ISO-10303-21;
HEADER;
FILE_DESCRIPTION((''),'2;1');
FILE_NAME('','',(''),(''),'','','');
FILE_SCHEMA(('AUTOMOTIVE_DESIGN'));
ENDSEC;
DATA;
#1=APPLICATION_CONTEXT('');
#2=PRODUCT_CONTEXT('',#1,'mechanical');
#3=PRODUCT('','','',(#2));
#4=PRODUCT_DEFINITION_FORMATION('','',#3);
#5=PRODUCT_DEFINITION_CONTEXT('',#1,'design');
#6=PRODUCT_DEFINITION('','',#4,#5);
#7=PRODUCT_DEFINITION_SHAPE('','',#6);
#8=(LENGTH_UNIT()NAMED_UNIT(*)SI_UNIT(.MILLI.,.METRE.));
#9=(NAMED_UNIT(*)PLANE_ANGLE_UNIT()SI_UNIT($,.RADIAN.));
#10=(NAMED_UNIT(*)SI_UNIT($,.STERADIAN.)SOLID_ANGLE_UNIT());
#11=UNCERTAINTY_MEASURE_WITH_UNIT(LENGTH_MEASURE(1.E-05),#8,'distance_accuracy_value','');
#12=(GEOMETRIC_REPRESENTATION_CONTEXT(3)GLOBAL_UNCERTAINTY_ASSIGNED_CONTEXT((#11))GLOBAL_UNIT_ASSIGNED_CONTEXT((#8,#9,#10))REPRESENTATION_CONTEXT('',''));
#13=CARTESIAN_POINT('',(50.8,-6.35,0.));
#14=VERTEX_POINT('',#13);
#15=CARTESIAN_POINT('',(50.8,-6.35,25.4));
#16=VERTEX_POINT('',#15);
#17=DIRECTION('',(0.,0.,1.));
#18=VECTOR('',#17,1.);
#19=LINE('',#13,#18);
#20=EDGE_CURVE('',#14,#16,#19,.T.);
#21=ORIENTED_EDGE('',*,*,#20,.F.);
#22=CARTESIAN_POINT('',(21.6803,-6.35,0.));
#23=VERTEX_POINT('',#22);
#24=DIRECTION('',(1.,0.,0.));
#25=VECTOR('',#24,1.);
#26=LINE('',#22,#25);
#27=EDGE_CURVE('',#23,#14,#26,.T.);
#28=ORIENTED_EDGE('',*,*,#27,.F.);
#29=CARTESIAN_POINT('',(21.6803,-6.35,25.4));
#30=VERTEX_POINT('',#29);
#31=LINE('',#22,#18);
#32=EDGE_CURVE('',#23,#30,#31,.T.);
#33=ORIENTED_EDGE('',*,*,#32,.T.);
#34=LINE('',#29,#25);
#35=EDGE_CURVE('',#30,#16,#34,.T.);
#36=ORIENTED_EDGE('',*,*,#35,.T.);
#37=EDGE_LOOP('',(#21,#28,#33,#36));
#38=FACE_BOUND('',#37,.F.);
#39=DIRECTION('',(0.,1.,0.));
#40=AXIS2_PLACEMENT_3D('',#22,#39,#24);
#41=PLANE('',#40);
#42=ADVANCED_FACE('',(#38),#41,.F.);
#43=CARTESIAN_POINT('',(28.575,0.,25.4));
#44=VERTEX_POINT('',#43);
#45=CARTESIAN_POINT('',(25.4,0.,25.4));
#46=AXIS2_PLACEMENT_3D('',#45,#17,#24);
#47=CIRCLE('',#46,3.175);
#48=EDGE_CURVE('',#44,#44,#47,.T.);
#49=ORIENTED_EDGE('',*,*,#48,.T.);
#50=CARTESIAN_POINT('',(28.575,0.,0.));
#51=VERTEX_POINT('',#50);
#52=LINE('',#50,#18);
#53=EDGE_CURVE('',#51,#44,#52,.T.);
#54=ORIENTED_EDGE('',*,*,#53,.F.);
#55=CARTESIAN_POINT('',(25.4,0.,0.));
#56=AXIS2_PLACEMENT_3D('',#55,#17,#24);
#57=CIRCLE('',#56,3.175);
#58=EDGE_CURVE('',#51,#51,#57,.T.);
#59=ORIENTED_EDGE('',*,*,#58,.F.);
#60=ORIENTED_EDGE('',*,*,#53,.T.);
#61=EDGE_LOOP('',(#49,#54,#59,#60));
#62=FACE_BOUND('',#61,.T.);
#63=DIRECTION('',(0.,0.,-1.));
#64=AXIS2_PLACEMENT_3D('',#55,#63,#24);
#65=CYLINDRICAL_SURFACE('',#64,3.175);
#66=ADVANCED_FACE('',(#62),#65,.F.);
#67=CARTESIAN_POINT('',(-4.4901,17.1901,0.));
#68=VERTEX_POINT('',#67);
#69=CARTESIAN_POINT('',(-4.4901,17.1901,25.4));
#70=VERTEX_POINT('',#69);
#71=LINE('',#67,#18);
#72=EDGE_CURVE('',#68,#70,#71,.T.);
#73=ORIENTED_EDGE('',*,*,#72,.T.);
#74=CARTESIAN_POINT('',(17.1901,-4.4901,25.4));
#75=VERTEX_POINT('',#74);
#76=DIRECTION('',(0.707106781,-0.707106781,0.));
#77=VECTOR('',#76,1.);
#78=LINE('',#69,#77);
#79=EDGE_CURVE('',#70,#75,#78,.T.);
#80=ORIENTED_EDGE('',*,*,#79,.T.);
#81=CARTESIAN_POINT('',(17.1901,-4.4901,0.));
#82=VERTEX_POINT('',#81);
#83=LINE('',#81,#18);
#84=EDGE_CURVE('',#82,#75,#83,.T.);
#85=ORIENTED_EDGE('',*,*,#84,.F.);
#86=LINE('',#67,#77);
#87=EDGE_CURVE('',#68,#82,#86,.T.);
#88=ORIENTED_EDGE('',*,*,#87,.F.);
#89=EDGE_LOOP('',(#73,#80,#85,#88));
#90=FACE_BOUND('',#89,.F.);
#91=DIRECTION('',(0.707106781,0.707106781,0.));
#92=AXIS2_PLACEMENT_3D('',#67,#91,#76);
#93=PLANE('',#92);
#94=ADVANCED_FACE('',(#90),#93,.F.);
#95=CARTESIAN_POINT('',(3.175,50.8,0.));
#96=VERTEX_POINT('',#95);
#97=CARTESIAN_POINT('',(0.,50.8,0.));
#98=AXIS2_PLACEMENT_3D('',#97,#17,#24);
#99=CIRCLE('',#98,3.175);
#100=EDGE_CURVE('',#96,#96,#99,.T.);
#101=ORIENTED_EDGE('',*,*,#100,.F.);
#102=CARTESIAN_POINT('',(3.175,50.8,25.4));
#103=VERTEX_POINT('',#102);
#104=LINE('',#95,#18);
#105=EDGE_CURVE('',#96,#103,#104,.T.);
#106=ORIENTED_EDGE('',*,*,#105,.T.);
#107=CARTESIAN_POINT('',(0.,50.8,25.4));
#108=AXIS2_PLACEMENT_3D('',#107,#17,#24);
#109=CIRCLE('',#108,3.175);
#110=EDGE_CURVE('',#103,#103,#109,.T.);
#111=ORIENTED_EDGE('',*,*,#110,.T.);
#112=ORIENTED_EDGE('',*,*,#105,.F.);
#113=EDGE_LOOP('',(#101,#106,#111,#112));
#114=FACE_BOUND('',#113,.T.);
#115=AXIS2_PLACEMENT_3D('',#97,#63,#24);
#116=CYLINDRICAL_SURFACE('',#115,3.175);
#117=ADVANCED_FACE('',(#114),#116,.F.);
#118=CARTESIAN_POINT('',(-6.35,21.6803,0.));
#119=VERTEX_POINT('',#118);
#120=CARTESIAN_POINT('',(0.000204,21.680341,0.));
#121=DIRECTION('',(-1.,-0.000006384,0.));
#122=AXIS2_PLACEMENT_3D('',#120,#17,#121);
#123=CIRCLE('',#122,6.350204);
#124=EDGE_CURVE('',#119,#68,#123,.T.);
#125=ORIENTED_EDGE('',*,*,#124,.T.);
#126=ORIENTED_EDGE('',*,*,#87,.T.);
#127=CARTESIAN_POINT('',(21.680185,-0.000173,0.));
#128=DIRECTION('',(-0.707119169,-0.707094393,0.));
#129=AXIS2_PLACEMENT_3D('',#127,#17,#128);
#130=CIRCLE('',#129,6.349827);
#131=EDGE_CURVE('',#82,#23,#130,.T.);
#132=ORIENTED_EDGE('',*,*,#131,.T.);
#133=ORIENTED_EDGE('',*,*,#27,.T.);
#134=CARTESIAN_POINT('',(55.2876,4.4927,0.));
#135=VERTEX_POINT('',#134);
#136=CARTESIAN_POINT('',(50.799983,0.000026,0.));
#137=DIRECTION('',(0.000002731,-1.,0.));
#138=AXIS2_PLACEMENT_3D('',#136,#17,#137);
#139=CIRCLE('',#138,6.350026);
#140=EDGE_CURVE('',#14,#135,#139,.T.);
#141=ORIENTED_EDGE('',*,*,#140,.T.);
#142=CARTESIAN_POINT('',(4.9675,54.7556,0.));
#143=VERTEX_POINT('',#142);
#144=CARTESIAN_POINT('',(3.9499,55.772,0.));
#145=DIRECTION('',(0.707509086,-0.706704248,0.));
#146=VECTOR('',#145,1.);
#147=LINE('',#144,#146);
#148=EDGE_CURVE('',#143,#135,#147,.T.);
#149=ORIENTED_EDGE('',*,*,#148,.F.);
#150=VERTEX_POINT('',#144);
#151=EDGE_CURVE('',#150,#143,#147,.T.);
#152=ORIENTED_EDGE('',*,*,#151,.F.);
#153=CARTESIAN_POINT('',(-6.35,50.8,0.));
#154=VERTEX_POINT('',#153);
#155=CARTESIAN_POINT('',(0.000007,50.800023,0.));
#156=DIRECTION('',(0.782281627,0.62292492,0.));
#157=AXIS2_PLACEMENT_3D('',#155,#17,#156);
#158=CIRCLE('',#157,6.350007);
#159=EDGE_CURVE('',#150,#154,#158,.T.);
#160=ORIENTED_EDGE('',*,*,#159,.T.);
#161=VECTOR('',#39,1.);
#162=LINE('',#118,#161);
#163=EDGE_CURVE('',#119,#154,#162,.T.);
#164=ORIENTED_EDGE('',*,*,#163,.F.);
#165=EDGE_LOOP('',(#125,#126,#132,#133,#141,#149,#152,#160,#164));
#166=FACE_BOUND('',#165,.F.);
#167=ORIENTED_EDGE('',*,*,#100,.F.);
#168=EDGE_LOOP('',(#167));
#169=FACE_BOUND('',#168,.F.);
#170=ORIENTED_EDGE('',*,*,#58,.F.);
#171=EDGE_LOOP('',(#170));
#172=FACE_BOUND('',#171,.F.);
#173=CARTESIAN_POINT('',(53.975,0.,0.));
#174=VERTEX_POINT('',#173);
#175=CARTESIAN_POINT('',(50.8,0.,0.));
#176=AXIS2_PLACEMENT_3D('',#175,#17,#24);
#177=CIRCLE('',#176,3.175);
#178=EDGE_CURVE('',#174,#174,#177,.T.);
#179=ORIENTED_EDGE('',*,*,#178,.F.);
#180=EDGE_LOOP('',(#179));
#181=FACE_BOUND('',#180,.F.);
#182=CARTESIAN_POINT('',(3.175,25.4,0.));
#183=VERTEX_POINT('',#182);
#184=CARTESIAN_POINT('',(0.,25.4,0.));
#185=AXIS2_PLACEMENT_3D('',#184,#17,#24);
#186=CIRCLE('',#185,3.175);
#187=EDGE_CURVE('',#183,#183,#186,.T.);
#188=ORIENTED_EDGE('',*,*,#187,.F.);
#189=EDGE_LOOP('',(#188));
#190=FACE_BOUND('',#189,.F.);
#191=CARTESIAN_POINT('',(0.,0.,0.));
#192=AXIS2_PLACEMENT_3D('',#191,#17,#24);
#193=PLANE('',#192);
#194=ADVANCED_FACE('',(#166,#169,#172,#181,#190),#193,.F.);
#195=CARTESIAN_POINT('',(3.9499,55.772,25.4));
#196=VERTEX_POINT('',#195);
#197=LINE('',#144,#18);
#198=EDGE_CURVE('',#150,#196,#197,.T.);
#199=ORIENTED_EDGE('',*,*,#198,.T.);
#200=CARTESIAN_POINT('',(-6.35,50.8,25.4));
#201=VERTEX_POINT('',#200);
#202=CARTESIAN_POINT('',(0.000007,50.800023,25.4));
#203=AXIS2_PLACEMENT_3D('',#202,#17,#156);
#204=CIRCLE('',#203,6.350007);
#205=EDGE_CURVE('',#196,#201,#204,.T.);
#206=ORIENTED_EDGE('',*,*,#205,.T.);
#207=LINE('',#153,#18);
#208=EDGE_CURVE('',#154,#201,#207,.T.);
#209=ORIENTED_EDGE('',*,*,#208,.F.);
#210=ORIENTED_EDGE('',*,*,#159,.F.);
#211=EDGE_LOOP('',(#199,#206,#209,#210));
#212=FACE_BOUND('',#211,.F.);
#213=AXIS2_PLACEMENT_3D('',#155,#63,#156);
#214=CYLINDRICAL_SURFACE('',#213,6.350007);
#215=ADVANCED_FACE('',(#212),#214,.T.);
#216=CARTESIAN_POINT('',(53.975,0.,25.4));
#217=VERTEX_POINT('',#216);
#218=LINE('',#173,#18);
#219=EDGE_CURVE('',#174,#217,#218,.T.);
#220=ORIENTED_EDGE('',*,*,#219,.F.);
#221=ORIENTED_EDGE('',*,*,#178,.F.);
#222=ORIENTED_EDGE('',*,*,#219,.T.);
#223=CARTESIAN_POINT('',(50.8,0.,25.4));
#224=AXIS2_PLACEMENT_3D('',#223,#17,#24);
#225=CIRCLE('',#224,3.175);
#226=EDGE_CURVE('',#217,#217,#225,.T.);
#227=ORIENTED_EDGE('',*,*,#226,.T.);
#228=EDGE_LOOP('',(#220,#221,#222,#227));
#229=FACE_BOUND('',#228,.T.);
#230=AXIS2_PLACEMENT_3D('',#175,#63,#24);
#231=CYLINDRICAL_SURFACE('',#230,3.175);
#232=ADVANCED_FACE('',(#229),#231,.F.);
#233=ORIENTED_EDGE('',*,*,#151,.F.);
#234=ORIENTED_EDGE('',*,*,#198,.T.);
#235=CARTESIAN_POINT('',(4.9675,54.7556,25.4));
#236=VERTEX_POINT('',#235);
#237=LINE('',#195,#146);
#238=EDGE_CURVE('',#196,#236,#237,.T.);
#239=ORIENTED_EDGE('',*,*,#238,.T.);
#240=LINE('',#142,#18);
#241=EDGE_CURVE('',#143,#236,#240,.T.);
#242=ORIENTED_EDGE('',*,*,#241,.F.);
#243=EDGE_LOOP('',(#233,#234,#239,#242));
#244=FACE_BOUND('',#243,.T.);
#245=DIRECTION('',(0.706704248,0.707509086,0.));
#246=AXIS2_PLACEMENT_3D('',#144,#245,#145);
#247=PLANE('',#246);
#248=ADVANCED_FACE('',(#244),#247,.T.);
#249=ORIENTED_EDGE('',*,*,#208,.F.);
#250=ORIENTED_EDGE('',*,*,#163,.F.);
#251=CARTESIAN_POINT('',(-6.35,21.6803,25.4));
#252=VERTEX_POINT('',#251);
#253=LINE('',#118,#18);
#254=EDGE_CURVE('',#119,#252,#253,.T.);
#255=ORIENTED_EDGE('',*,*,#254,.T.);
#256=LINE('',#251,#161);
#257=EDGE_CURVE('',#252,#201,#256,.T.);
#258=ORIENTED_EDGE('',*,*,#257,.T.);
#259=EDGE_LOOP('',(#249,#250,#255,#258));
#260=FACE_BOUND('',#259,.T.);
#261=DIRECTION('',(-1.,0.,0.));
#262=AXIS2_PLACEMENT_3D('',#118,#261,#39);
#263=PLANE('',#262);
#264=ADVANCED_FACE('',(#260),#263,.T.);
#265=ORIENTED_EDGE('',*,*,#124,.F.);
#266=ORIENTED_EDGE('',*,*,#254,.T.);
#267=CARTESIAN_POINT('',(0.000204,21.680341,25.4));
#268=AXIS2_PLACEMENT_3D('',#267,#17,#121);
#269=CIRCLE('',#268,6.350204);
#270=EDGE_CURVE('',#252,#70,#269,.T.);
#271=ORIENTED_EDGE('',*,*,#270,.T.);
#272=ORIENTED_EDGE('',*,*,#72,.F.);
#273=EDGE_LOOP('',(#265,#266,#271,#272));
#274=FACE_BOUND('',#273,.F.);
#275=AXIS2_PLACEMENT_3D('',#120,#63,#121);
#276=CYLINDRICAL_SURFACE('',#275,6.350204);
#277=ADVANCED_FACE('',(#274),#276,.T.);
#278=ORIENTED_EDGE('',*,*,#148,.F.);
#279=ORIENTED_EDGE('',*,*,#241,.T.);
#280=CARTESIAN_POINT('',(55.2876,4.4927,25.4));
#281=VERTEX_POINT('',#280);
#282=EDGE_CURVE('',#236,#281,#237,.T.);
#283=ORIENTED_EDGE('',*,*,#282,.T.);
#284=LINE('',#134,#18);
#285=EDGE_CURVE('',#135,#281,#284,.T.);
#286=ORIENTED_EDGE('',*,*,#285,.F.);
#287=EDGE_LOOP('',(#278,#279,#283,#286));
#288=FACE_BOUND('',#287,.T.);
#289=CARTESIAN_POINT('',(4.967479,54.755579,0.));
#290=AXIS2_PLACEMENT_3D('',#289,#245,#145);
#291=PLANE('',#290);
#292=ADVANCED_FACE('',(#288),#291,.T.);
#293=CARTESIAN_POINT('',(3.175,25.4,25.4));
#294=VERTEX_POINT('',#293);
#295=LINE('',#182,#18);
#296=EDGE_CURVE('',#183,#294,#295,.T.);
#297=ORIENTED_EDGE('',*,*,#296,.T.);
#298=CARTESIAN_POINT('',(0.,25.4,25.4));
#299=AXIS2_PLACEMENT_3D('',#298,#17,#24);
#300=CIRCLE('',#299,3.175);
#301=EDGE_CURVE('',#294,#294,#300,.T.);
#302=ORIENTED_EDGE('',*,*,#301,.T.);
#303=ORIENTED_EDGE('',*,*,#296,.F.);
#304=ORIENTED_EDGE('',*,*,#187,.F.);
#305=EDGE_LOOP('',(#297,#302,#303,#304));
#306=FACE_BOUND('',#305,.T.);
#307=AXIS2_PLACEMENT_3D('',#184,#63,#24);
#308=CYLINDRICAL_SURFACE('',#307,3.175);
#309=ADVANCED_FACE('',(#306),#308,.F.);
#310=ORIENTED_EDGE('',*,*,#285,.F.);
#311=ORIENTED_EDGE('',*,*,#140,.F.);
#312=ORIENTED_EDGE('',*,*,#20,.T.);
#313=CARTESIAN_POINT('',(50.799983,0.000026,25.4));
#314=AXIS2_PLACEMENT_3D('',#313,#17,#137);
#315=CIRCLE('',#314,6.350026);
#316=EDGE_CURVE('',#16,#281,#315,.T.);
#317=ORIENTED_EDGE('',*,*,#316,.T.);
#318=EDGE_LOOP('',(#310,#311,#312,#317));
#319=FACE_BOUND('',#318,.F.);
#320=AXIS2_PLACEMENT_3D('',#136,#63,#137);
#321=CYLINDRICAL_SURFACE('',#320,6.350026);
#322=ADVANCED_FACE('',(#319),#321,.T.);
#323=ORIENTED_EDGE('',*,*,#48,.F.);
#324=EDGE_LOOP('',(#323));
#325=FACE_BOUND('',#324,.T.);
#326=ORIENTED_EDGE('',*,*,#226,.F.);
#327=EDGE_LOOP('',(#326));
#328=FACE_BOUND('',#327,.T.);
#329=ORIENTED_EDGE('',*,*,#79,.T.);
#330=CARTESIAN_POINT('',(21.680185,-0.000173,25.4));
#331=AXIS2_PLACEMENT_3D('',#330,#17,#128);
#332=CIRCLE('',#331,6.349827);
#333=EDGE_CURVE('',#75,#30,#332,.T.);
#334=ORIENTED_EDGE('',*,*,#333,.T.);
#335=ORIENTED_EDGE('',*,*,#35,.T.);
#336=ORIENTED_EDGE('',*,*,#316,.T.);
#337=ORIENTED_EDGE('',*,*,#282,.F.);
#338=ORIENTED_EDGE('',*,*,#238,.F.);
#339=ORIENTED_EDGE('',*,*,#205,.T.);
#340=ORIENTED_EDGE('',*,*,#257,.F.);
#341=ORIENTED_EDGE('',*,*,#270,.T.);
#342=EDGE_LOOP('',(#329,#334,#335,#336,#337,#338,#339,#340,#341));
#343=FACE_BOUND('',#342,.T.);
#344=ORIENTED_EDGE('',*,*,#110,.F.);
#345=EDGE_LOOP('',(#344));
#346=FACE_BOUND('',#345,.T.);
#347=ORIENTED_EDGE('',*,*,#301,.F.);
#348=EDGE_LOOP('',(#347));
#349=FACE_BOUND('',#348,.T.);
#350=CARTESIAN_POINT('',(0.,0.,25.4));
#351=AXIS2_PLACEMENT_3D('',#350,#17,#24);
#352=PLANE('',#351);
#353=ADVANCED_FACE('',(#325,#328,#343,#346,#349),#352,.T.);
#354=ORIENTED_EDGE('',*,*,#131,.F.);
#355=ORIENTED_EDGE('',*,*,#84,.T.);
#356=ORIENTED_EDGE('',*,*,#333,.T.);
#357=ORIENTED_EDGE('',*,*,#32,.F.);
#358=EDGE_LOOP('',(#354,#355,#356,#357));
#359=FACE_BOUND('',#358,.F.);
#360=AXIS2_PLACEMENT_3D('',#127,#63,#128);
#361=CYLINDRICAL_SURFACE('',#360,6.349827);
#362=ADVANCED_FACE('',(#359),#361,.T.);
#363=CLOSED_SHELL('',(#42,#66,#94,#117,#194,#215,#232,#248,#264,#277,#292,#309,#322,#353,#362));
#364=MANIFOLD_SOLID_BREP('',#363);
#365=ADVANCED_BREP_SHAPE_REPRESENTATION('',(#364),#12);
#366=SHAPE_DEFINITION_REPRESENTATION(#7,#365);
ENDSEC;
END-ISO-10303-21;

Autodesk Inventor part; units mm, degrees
ref_plane "YZ Plane" through (0, 0, 0) normal (1, 0, 0) x (0, 1, 0)
ref_plane "XZ Plane" through (0, 0, 0) normal (0, 1, 0) x (-1, 0, 0)
ref_plane "XY Plane" through (0, 0, 0) normal (0, 0, 1) x (1, 0, 0)
sketch "Sketch1" plane through (0, 0, 0) normal (0, 0, 1) x (1, 0, 0)
  line L0 (21.6803, -6.35) -> (50.8, -6.35)
  arc A0 (50.8, -6.35) -> (55.2876, 4.4927) centre (50.8, 0) ccw
  line L1 (-4.4901, 17.1901) -> (17.1901, -4.4901)
  line L2 (-6.35, 21.6803) -> (-6.35, 50.8)
  arc A1 (4.9675, 54.7556) -> (-6.35, 50.8) centre (0, 50.8) ccw
  line L3 (3.9499, 55.772) -> (55.2876, 4.4927)
  arc A2 (-6.35, 21.6803) -> (-4.4901, 17.1901) centre (0, 21.6803) ccw
  arc A3 (17.1901, -4.4901) -> (21.6803, -6.35) centre (21.6803, 0) ccw
  circle A4 centre (0, 50.8) radius 3.175
  circle A5 centre (0, 25.4) radius 3.175
  circle A6 centre (25.4, 0) radius 3.175
  circle A7 centre (50.8, 0) radius 3.175
  point P0 (0, 0)
  dimension "d6" = 6.35
  dimension "d7" = 6.35
  dimension "d8" = 6.35
  dimension "d9" = 6.35
  dimension "d10" = 6.35
extrude "Extrusion1" add sketch "Sketch1" along normal blind 25.4 contours A3 L1 A2 L2 A1 L3 A0 L0
properties part number "Corner"
